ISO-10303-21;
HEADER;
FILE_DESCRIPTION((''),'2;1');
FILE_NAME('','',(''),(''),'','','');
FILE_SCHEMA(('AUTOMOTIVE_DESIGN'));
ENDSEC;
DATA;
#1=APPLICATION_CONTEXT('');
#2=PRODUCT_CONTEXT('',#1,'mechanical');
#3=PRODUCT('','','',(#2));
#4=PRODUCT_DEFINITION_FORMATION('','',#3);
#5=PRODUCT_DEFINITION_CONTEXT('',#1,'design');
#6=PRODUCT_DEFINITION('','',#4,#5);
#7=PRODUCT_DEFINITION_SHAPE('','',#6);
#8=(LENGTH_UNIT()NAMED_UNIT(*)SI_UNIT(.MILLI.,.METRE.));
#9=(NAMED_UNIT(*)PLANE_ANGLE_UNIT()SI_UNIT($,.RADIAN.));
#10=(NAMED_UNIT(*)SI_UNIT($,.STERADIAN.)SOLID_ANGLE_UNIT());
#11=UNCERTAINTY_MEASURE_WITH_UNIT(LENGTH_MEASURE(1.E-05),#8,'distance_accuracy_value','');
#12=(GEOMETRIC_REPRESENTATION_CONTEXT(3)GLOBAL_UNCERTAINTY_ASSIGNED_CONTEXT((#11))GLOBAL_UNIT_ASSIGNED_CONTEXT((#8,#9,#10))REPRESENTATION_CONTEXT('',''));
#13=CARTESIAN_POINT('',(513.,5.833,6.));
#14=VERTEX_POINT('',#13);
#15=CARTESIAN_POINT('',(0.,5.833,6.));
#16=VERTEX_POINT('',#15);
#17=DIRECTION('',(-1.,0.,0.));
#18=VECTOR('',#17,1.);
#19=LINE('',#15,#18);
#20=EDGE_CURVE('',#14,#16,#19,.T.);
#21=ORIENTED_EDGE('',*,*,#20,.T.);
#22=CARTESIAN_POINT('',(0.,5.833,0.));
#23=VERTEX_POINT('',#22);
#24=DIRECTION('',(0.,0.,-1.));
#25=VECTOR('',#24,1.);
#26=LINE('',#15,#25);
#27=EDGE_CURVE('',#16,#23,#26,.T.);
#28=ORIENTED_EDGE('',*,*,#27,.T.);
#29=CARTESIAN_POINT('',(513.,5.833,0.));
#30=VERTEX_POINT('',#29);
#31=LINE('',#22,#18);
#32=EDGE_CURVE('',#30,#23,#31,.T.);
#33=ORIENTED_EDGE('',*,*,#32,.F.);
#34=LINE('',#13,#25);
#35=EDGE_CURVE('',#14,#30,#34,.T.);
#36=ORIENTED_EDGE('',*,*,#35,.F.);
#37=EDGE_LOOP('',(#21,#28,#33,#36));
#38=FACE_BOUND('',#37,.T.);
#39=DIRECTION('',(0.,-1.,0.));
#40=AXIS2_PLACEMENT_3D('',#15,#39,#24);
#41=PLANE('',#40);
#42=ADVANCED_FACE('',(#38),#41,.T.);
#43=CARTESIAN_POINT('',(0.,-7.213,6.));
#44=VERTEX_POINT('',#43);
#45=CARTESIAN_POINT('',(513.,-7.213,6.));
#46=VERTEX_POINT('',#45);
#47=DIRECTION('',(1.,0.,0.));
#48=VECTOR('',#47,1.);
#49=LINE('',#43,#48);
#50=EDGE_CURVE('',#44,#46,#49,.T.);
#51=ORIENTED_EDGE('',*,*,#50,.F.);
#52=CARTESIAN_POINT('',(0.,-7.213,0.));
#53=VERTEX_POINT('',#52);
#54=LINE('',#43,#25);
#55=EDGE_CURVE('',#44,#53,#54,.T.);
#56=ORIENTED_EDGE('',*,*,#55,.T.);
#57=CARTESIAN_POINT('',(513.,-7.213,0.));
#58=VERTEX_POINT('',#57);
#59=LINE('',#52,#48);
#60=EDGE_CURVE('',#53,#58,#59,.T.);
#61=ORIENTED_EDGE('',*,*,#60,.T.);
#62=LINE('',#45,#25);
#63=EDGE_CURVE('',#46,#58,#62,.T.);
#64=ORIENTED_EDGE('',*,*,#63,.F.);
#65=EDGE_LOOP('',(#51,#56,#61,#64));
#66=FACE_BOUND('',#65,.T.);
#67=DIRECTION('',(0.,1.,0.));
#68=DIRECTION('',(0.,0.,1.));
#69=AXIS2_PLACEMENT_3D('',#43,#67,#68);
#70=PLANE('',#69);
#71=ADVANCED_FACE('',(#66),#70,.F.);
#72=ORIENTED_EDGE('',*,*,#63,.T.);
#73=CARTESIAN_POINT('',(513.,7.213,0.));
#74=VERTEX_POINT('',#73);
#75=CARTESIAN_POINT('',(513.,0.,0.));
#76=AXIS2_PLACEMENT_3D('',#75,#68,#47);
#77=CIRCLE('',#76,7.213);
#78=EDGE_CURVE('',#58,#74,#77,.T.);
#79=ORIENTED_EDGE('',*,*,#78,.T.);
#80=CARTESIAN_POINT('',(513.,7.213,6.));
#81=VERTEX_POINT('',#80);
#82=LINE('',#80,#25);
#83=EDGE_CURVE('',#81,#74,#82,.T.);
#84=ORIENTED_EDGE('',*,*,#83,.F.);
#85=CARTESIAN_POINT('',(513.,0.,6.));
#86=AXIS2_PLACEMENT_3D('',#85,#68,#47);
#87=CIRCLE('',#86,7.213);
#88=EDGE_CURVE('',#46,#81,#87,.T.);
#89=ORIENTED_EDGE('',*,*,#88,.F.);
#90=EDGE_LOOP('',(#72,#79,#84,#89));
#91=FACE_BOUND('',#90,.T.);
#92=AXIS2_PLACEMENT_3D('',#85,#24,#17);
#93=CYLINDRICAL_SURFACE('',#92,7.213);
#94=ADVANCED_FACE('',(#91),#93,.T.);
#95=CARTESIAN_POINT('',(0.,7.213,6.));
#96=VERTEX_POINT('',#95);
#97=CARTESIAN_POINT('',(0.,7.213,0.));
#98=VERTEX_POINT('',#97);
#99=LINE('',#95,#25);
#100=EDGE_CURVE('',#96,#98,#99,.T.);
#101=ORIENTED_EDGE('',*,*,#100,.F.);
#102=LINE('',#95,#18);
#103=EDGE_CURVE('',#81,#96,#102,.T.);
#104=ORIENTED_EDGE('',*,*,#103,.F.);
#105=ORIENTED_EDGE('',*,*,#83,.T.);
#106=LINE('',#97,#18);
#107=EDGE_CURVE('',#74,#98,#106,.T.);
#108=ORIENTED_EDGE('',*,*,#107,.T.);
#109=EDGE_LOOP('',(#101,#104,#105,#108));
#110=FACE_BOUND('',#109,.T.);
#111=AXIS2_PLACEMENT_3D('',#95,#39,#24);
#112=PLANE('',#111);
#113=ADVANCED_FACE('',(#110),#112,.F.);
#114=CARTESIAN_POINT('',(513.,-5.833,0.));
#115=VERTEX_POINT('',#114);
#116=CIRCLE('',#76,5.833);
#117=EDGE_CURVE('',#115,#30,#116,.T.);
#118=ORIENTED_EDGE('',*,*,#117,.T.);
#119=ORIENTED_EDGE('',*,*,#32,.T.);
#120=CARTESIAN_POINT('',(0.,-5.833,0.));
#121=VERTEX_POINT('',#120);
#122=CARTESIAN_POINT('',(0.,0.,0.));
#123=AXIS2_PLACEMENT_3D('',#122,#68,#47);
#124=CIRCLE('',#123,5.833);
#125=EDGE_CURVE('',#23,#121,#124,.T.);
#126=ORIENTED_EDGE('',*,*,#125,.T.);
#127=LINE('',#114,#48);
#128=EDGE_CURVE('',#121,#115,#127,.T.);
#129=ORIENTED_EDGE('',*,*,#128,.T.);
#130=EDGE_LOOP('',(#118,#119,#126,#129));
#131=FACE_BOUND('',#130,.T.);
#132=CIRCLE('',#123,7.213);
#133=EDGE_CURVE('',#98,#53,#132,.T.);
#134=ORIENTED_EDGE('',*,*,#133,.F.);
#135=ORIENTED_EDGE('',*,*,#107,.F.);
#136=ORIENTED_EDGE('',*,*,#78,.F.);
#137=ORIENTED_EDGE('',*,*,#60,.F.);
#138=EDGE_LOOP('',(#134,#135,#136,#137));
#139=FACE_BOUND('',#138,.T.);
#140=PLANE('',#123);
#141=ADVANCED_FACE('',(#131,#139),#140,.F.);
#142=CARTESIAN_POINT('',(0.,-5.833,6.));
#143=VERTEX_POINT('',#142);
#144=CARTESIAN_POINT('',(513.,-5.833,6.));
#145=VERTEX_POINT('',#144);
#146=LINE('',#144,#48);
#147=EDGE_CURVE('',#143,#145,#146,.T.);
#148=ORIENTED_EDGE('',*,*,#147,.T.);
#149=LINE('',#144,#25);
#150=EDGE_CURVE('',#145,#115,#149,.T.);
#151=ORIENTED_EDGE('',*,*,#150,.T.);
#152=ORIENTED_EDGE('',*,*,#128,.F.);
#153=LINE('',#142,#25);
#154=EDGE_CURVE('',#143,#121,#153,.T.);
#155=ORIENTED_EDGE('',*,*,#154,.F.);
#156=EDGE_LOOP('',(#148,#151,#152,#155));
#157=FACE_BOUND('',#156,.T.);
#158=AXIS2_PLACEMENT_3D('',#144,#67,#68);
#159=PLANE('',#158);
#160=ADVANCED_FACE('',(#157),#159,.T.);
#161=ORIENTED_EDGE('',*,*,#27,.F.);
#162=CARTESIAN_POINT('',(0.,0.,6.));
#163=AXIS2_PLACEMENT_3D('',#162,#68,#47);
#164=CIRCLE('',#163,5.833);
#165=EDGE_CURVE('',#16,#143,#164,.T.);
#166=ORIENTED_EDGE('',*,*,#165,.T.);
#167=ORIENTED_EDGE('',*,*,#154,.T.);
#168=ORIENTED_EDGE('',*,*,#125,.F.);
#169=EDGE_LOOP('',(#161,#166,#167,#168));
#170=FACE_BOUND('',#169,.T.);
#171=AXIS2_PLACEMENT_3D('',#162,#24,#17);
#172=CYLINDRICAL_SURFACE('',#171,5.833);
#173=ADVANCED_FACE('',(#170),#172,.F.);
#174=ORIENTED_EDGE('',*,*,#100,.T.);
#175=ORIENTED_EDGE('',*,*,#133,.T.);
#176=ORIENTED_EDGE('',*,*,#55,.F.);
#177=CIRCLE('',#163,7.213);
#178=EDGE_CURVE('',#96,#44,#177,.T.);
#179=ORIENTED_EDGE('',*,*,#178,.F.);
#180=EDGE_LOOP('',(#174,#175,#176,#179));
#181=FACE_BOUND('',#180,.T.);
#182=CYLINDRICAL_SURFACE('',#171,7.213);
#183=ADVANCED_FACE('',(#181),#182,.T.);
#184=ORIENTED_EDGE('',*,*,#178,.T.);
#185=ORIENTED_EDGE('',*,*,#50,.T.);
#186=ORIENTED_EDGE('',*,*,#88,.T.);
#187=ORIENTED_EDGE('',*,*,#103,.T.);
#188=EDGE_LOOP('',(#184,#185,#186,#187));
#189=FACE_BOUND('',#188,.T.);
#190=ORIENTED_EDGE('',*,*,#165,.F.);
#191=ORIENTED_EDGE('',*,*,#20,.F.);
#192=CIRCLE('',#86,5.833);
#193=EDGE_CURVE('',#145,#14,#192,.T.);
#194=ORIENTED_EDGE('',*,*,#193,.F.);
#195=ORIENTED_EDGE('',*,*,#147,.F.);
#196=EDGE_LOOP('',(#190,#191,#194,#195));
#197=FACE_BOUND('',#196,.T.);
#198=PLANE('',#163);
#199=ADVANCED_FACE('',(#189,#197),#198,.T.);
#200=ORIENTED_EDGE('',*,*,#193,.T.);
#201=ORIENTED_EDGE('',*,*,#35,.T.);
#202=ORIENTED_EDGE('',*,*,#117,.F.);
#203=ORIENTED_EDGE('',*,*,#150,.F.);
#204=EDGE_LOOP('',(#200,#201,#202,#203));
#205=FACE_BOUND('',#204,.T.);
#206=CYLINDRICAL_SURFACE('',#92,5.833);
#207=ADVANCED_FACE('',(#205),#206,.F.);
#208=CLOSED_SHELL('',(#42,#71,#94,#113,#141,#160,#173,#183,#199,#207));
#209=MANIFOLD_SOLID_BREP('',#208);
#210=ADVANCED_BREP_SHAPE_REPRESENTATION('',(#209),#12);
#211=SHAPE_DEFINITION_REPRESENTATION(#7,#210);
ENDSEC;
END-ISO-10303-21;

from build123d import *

# Parameters (mm, degrees)
BOSS_EXTRUDE1_DEPTH = 6


with BuildPart() as part:
    # Sketch1 → Boss-Extrude1 (new body)
    with BuildSketch(Plane.XY):
        with BuildLine():
            Line((0, 7.213), (513, 7.213))
            ThreePointArc((513, 7.213), (520.213, 0), (513, -7.213))
            Line((513, -7.213), (0, -7.213))
            ThreePointArc((0, -7.213), (-7.213, 0), (0, 7.213))
        make_face()
        with BuildLine():
            Line((0, 5.833), (513, 5.833))
            ThreePointArc((513, 5.833), (518.833, 0), (513, -5.833))
            Line((513, -5.833), (0, -5.833))
            ThreePointArc((0, -5.833), (-5.833, 0), (0, 5.833))
        make_face(mode=Mode.SUBTRACT)
    extrude(amount=BOSS_EXTRUDE1_DEPTH)


solid = part.part
